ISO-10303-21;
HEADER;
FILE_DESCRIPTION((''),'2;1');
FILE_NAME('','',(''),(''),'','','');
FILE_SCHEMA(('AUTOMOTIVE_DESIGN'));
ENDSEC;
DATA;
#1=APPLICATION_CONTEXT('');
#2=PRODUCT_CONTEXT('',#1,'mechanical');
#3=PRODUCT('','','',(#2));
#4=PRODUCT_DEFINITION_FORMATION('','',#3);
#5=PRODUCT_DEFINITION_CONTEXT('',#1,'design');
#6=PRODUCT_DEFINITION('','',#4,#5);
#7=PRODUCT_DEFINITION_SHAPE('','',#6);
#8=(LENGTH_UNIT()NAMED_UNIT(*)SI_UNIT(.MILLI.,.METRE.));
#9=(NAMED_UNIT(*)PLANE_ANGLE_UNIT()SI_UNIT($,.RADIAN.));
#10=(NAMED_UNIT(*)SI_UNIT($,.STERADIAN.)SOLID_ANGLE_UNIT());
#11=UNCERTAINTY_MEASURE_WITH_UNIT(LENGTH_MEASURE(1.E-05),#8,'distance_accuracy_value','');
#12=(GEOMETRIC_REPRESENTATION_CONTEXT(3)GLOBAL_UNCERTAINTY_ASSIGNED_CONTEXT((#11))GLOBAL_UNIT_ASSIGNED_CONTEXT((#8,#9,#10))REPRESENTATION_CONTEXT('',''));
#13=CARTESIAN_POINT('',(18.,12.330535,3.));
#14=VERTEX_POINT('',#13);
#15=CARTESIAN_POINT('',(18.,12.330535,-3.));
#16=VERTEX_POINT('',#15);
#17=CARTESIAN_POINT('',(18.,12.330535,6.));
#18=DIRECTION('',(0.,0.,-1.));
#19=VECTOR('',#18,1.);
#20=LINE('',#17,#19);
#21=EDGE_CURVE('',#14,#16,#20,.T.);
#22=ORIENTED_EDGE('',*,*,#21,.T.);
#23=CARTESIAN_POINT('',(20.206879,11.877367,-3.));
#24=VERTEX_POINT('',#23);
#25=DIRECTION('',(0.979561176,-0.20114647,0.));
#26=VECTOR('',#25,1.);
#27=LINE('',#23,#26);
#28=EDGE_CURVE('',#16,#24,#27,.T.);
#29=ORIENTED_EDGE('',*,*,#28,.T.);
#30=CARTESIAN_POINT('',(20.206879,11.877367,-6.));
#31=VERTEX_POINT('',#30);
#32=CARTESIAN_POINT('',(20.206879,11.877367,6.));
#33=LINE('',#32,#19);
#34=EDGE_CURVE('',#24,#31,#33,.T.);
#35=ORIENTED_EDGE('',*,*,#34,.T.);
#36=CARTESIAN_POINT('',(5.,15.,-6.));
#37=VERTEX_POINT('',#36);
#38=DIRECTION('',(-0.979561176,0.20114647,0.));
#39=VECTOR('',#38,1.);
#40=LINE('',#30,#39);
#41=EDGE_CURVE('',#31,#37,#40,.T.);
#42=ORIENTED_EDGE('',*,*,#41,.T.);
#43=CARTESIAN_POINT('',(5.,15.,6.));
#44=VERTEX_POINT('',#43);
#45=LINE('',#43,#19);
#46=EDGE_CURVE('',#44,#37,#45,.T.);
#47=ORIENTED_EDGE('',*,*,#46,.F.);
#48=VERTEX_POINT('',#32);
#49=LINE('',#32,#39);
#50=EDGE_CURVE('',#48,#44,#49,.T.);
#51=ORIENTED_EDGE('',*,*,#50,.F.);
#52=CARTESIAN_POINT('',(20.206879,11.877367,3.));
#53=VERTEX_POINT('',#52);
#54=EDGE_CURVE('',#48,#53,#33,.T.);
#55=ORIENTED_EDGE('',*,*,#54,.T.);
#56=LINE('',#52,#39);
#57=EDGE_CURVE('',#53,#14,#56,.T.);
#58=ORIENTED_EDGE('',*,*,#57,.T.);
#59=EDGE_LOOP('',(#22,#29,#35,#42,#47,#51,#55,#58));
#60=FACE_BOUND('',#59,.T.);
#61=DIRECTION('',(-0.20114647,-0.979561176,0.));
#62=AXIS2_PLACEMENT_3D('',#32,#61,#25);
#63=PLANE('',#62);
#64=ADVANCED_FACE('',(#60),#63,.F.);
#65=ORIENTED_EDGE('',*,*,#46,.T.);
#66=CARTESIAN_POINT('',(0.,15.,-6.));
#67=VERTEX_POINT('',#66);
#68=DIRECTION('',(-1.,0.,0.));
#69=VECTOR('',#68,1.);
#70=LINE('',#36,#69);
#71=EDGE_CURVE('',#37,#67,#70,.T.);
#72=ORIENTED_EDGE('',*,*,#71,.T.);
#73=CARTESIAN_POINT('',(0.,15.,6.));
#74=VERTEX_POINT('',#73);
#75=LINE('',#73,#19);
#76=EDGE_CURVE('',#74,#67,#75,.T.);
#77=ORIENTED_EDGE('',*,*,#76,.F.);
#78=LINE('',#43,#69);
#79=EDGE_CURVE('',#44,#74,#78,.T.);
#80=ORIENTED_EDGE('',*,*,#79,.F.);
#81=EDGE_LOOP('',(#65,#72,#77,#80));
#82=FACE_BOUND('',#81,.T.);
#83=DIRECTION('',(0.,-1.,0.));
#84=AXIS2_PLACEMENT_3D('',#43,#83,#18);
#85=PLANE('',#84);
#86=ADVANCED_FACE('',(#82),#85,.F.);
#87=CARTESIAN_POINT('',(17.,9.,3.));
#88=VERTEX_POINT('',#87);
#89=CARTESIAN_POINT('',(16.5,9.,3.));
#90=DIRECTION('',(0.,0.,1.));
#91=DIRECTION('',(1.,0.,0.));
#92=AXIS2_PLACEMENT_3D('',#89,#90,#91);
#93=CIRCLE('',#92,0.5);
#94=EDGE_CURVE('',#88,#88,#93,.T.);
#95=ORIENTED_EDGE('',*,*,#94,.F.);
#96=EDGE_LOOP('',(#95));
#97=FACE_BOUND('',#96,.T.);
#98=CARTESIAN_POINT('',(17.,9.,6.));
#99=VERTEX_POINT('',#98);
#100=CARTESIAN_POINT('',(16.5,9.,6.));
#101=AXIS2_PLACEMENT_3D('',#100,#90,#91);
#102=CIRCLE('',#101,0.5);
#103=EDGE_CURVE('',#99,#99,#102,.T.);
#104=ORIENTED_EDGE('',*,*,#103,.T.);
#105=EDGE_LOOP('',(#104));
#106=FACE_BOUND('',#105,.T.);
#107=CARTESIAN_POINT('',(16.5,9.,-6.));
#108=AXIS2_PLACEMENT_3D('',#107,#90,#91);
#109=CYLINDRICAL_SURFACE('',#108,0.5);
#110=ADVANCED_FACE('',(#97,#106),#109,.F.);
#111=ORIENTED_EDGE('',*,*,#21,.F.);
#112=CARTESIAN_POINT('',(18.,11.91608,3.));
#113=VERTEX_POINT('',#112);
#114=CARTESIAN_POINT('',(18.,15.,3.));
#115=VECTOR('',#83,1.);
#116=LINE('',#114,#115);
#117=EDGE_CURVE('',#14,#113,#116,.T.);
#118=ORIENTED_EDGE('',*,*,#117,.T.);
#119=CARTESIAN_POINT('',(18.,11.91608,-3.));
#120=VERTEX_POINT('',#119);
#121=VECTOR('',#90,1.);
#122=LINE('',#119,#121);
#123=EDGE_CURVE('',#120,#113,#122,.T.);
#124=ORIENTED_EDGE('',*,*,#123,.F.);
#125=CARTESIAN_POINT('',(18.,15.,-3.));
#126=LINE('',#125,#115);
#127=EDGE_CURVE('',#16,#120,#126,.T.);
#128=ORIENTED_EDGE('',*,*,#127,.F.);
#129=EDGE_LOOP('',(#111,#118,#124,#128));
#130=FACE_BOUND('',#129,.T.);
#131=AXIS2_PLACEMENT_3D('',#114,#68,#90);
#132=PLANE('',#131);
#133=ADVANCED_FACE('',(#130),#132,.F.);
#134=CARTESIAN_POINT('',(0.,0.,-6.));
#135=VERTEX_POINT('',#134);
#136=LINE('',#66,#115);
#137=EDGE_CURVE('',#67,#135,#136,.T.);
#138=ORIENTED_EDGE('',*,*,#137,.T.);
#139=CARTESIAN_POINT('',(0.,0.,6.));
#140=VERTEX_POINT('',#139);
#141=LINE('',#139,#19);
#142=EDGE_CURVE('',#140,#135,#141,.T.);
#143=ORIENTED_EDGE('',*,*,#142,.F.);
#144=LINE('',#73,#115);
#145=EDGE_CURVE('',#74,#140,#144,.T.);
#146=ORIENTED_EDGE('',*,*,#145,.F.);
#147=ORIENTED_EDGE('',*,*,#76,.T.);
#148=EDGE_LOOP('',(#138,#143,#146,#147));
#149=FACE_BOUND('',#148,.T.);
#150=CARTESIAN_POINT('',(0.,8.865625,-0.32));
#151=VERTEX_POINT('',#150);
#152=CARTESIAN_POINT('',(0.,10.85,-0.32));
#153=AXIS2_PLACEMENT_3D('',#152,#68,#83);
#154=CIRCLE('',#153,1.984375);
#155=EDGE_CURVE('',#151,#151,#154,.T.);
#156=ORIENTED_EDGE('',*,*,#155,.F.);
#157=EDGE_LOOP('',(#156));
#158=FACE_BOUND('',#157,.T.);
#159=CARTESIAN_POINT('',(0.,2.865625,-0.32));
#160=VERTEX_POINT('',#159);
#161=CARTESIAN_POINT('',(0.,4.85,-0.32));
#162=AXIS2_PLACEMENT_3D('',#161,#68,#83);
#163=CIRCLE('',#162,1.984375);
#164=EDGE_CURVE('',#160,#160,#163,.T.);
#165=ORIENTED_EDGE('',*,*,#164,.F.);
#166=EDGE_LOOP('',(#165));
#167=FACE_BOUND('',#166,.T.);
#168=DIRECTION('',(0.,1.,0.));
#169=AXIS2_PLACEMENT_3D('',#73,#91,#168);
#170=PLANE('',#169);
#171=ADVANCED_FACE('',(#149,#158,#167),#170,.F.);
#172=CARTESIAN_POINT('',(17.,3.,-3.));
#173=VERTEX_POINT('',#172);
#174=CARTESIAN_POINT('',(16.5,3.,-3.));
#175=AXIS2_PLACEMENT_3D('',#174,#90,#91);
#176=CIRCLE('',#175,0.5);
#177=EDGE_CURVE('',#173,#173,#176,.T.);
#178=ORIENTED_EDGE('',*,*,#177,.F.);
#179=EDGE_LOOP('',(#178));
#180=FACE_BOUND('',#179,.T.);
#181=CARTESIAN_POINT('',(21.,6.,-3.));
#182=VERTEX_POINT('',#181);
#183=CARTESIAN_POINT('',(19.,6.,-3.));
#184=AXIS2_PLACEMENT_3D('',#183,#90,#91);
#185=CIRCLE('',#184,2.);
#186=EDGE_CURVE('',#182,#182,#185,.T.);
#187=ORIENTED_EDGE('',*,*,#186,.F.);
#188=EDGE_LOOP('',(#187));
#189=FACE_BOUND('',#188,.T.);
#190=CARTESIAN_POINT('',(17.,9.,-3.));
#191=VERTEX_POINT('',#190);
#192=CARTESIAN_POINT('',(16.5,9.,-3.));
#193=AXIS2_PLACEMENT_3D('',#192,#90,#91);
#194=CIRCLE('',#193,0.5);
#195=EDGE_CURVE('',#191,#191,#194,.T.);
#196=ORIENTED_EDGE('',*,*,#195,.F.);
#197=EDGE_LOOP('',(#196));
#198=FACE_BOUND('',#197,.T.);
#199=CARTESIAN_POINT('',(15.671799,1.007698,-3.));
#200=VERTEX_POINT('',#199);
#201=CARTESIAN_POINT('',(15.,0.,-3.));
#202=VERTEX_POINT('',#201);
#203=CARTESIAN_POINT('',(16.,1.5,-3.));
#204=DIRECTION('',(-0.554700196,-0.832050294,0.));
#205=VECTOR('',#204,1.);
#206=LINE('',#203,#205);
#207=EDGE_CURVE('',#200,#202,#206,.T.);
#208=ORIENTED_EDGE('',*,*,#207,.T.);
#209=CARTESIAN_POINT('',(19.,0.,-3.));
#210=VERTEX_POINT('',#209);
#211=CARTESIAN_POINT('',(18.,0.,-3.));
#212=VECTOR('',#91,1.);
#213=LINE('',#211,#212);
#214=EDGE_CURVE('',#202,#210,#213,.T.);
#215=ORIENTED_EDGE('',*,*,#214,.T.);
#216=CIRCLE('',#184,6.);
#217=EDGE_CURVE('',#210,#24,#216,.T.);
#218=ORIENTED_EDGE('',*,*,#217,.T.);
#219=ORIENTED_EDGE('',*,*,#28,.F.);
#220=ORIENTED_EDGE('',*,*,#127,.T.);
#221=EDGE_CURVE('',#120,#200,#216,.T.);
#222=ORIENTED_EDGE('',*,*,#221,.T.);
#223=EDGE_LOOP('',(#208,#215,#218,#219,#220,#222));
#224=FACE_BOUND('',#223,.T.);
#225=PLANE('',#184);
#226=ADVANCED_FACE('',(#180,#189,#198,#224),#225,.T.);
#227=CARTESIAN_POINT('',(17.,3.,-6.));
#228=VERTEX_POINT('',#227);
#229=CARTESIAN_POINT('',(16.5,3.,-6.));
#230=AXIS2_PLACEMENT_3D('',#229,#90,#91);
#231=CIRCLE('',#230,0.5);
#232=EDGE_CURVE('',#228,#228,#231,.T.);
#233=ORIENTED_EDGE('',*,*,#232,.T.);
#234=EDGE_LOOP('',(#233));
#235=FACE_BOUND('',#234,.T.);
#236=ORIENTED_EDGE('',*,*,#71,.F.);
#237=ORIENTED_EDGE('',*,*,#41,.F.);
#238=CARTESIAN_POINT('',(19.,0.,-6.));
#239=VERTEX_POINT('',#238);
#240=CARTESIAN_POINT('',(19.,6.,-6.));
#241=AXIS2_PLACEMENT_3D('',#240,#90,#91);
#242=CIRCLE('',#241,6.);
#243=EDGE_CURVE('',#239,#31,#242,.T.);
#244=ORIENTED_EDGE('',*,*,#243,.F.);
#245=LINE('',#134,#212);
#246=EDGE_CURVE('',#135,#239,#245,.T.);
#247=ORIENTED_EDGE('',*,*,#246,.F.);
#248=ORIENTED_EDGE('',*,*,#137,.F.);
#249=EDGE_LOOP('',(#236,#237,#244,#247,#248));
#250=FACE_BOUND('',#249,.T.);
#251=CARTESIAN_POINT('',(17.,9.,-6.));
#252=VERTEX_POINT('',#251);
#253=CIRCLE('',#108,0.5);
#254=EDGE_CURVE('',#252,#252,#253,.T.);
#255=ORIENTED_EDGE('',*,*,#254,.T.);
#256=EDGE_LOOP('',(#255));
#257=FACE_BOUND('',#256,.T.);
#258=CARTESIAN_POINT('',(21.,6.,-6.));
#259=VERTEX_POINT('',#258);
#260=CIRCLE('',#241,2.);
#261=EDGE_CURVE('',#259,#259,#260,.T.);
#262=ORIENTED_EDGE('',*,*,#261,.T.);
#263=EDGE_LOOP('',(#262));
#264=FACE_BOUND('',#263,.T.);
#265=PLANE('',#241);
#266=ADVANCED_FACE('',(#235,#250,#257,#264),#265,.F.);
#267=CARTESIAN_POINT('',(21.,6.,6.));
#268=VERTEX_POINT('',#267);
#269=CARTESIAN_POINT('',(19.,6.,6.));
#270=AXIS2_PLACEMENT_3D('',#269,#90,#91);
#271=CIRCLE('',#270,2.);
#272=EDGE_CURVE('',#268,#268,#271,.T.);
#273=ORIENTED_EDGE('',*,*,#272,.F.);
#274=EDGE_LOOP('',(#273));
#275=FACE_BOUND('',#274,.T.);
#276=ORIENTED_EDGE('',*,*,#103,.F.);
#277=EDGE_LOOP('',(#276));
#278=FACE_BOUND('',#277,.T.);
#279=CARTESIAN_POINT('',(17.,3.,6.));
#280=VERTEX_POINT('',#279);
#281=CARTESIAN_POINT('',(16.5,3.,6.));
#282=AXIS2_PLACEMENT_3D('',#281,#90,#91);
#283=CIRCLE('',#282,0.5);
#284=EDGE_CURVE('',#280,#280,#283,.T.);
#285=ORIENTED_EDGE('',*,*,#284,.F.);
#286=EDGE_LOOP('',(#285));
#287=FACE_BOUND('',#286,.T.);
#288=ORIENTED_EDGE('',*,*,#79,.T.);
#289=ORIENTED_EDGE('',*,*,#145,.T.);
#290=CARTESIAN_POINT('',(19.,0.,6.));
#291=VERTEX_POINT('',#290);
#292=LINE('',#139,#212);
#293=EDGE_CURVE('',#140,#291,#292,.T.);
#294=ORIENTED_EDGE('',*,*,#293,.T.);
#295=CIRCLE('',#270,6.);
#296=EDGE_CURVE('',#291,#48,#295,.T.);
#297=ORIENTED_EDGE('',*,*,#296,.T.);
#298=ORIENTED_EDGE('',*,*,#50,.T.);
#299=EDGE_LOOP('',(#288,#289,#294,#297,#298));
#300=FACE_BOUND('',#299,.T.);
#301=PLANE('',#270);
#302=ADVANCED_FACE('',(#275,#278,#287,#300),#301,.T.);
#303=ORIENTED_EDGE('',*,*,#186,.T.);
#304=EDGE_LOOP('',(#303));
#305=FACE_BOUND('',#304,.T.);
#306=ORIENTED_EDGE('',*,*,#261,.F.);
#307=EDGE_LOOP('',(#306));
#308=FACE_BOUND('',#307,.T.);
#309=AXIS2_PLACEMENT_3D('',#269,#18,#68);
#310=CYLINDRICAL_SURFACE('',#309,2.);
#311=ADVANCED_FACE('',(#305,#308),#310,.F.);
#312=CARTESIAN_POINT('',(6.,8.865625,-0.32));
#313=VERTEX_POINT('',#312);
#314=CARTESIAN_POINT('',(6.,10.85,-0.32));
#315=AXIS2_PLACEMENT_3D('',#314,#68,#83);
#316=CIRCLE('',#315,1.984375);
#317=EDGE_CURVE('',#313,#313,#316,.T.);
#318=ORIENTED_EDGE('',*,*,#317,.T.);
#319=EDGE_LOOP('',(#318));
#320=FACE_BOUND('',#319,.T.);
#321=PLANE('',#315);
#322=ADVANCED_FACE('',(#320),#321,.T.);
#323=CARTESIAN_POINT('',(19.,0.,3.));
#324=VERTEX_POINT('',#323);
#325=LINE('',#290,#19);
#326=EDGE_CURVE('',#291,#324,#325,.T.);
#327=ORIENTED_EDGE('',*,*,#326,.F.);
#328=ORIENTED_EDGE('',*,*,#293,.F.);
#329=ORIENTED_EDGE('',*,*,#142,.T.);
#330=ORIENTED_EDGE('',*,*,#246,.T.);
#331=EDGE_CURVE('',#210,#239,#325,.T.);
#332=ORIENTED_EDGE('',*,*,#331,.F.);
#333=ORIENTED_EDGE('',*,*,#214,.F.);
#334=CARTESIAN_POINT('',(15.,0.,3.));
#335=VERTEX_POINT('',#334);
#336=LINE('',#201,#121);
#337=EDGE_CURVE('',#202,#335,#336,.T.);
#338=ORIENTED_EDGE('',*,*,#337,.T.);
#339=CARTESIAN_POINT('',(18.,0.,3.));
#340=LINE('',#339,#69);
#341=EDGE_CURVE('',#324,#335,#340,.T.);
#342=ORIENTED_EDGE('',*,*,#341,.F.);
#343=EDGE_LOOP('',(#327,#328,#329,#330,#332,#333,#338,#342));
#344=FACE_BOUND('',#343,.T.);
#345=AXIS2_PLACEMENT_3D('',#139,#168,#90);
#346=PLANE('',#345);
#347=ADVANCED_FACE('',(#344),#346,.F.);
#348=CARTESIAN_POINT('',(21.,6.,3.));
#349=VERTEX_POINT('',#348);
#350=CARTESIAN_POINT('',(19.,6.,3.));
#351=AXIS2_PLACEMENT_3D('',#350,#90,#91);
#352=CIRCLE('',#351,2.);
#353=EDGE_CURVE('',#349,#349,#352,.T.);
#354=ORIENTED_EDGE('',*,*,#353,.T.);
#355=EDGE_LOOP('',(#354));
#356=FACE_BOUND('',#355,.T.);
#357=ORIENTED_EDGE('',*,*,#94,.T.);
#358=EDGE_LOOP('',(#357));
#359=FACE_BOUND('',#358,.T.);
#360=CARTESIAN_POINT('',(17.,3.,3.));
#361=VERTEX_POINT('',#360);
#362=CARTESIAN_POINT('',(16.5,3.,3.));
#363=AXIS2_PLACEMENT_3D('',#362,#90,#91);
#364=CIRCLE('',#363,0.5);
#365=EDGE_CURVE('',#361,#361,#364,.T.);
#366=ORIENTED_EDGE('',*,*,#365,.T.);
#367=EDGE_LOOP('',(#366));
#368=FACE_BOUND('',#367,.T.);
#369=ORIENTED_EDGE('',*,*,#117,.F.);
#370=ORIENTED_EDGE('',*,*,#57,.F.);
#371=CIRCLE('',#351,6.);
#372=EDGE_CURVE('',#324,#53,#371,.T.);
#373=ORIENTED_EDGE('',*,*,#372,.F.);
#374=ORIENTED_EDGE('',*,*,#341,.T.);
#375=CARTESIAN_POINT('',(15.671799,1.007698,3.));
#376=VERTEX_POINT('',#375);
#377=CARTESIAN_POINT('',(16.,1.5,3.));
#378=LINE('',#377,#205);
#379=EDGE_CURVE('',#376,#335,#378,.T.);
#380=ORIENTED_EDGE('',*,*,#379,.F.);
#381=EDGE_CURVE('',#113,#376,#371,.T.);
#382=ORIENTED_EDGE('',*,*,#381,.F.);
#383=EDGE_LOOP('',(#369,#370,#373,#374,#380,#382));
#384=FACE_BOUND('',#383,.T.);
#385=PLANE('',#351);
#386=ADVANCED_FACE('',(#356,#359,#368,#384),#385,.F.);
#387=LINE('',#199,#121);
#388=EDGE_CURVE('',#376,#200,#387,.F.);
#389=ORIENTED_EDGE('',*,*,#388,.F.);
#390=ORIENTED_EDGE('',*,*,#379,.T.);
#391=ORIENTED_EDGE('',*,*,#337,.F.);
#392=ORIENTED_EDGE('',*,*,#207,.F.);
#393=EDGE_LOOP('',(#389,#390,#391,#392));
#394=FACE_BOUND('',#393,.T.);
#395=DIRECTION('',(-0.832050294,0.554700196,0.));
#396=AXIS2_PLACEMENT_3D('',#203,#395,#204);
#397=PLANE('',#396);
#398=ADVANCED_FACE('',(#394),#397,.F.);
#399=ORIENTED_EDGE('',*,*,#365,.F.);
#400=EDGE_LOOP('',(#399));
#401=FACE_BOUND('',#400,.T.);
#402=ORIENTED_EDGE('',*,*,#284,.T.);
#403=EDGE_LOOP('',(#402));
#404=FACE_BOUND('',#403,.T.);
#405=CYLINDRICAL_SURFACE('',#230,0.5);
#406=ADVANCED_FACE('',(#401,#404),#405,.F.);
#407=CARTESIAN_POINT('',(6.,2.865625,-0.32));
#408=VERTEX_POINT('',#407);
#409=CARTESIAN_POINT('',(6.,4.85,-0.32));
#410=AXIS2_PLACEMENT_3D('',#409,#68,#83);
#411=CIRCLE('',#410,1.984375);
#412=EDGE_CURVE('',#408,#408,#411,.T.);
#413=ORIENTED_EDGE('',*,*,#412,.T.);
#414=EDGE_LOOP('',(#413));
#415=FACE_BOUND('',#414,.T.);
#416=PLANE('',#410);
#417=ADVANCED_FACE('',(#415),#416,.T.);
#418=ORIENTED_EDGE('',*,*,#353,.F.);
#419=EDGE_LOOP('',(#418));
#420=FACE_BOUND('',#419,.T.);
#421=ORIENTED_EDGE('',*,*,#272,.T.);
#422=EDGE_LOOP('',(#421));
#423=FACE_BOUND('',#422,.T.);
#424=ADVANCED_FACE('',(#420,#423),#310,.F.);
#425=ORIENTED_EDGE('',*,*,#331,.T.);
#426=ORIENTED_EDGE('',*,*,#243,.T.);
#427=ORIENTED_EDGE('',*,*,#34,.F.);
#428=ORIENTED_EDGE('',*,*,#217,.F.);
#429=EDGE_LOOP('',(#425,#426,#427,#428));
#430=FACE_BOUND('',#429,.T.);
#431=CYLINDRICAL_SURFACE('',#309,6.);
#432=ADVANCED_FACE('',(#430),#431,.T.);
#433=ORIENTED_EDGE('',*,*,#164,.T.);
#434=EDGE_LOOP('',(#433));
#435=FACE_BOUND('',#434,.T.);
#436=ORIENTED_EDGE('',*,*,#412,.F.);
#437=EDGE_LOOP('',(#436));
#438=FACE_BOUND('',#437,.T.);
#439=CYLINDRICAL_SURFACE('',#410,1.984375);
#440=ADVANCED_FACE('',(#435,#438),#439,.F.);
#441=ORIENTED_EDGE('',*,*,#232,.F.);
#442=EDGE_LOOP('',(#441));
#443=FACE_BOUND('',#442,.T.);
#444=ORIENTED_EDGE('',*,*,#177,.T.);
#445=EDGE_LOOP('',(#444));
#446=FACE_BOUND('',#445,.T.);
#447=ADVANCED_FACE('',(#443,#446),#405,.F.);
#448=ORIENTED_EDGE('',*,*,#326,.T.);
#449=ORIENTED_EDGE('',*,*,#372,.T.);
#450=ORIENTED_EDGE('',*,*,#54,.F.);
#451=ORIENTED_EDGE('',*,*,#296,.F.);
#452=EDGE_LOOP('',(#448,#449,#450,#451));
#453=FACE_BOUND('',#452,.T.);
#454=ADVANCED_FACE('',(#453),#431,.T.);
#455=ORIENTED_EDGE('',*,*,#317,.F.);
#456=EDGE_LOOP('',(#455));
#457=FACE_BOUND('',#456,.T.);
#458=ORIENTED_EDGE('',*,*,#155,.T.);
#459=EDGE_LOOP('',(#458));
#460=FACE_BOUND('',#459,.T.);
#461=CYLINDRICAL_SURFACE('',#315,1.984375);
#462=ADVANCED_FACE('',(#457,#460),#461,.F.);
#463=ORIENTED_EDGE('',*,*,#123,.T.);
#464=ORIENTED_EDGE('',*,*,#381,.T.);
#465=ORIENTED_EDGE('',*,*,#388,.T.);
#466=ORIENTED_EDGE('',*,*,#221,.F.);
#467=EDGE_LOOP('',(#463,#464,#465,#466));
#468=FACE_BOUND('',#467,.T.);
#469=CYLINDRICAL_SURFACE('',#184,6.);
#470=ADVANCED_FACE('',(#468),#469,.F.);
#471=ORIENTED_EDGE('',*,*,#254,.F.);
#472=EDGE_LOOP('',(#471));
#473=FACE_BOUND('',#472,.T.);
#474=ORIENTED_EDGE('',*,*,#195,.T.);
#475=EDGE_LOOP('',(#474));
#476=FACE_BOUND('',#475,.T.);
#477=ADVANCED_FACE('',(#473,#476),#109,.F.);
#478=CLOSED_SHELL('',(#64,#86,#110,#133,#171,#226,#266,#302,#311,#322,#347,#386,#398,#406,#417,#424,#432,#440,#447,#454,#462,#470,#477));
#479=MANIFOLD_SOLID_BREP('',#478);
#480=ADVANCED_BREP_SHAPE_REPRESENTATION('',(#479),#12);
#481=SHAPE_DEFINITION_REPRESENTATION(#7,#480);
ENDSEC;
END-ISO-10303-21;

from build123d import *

# Parameters (mm, degrees)
SKETCH1_R           = 2
BOSS_EXTRUDE1_DEPTH = 6
CUT_EXTRUDE1_DEPTH  = 3
SKETCH7_R           = 1.984375
CUT_EXTRUDE3_DEPTH  = 6
SKETCH16_W          = 15.013819635
SKETCH16_H          = 6
CUT_EXTRUDE7_DEPTH  = 30.765752132
SKETCH19_R          = 0.5
CUT_EXTRUDE10_DEPTH = 32.527765541
CUT_EXTRUDE13_DEPTH = 3


with BuildPart() as part:
    # Sketch1 → Boss-Extrude1 (new, symmetric)
    with BuildSketch(Plane.XY):
        with BuildLine():
            Line((0, 0), (19, 0))
            ThreePointArc((19, 0), (24.969263034, 5.393453355), (20.206878822, 11.877367056))
            Line((20.206878822, 11.877367056), (5, 15))
            Line((5, 15), (0, 15))
            Line((0, 15), (0, 0))
        make_face()
        with Locations((19, 6)):
            Circle(SKETCH1_R, mode=Mode.SUBTRACT)
    extrude(amount=BOSS_EXTRUDE1_DEPTH, both=True)

    # Sketch2 → Cut-Extrude1 (cut, symmetric)
    with BuildSketch(Plane.XY):
        with BuildLine():
            ThreePointArc((19, 0), (25, 6), (19, 12))
            ThreePointArc((19, 12), (13, 6), (19, 0))
        make_face()
    extrude(amount=CUT_EXTRUDE1_DEPTH, both=True, mode=Mode.SUBTRACT)

    # Sketch7 → Cut-Extrude3 (cut)
    with BuildSketch(Plane.ZY):
        with Locations((-0.32, 10.85)):
            Circle(SKETCH7_R)
        with Locations((-0.32, 4.85)):
            Circle(SKETCH7_R)
    extrude(amount=-CUT_EXTRUDE3_DEPTH, mode=Mode.SUBTRACT)

    # Sketch16 → Cut-Extrude7 (cut, through all)
    with BuildSketch(Plane.XZ):
        with Locations((25.506909818, 0)):
            Rectangle(SKETCH16_W, SKETCH16_H)
    extrude(amount=-CUT_EXTRUDE7_DEPTH, mode=Mode.SUBTRACT)

    # Sketch19 → Cut-Extrude10 (cut, through all)
    with BuildSketch(Plane.XY.offset(6)):
        with Locations((16.5, 3)):
            Circle(SKETCH19_R)
        with Locations((16.5, 9)):
            Circle(SKETCH19_R)
    extrude(amount=-CUT_EXTRUDE10_DEPTH, mode=Mode.SUBTRACT)

    # Sketch23 → Cut-Extrude13 (cut, symmetric)
    with BuildSketch(Plane.XY):
        Polygon((18, 0), (18, 1.5), (16, 1.5), (15, 0), align=None)
    extrude(amount=CUT_EXTRUDE13_DEPTH, both=True, mode=Mode.SUBTRACT)


solid = part.part
